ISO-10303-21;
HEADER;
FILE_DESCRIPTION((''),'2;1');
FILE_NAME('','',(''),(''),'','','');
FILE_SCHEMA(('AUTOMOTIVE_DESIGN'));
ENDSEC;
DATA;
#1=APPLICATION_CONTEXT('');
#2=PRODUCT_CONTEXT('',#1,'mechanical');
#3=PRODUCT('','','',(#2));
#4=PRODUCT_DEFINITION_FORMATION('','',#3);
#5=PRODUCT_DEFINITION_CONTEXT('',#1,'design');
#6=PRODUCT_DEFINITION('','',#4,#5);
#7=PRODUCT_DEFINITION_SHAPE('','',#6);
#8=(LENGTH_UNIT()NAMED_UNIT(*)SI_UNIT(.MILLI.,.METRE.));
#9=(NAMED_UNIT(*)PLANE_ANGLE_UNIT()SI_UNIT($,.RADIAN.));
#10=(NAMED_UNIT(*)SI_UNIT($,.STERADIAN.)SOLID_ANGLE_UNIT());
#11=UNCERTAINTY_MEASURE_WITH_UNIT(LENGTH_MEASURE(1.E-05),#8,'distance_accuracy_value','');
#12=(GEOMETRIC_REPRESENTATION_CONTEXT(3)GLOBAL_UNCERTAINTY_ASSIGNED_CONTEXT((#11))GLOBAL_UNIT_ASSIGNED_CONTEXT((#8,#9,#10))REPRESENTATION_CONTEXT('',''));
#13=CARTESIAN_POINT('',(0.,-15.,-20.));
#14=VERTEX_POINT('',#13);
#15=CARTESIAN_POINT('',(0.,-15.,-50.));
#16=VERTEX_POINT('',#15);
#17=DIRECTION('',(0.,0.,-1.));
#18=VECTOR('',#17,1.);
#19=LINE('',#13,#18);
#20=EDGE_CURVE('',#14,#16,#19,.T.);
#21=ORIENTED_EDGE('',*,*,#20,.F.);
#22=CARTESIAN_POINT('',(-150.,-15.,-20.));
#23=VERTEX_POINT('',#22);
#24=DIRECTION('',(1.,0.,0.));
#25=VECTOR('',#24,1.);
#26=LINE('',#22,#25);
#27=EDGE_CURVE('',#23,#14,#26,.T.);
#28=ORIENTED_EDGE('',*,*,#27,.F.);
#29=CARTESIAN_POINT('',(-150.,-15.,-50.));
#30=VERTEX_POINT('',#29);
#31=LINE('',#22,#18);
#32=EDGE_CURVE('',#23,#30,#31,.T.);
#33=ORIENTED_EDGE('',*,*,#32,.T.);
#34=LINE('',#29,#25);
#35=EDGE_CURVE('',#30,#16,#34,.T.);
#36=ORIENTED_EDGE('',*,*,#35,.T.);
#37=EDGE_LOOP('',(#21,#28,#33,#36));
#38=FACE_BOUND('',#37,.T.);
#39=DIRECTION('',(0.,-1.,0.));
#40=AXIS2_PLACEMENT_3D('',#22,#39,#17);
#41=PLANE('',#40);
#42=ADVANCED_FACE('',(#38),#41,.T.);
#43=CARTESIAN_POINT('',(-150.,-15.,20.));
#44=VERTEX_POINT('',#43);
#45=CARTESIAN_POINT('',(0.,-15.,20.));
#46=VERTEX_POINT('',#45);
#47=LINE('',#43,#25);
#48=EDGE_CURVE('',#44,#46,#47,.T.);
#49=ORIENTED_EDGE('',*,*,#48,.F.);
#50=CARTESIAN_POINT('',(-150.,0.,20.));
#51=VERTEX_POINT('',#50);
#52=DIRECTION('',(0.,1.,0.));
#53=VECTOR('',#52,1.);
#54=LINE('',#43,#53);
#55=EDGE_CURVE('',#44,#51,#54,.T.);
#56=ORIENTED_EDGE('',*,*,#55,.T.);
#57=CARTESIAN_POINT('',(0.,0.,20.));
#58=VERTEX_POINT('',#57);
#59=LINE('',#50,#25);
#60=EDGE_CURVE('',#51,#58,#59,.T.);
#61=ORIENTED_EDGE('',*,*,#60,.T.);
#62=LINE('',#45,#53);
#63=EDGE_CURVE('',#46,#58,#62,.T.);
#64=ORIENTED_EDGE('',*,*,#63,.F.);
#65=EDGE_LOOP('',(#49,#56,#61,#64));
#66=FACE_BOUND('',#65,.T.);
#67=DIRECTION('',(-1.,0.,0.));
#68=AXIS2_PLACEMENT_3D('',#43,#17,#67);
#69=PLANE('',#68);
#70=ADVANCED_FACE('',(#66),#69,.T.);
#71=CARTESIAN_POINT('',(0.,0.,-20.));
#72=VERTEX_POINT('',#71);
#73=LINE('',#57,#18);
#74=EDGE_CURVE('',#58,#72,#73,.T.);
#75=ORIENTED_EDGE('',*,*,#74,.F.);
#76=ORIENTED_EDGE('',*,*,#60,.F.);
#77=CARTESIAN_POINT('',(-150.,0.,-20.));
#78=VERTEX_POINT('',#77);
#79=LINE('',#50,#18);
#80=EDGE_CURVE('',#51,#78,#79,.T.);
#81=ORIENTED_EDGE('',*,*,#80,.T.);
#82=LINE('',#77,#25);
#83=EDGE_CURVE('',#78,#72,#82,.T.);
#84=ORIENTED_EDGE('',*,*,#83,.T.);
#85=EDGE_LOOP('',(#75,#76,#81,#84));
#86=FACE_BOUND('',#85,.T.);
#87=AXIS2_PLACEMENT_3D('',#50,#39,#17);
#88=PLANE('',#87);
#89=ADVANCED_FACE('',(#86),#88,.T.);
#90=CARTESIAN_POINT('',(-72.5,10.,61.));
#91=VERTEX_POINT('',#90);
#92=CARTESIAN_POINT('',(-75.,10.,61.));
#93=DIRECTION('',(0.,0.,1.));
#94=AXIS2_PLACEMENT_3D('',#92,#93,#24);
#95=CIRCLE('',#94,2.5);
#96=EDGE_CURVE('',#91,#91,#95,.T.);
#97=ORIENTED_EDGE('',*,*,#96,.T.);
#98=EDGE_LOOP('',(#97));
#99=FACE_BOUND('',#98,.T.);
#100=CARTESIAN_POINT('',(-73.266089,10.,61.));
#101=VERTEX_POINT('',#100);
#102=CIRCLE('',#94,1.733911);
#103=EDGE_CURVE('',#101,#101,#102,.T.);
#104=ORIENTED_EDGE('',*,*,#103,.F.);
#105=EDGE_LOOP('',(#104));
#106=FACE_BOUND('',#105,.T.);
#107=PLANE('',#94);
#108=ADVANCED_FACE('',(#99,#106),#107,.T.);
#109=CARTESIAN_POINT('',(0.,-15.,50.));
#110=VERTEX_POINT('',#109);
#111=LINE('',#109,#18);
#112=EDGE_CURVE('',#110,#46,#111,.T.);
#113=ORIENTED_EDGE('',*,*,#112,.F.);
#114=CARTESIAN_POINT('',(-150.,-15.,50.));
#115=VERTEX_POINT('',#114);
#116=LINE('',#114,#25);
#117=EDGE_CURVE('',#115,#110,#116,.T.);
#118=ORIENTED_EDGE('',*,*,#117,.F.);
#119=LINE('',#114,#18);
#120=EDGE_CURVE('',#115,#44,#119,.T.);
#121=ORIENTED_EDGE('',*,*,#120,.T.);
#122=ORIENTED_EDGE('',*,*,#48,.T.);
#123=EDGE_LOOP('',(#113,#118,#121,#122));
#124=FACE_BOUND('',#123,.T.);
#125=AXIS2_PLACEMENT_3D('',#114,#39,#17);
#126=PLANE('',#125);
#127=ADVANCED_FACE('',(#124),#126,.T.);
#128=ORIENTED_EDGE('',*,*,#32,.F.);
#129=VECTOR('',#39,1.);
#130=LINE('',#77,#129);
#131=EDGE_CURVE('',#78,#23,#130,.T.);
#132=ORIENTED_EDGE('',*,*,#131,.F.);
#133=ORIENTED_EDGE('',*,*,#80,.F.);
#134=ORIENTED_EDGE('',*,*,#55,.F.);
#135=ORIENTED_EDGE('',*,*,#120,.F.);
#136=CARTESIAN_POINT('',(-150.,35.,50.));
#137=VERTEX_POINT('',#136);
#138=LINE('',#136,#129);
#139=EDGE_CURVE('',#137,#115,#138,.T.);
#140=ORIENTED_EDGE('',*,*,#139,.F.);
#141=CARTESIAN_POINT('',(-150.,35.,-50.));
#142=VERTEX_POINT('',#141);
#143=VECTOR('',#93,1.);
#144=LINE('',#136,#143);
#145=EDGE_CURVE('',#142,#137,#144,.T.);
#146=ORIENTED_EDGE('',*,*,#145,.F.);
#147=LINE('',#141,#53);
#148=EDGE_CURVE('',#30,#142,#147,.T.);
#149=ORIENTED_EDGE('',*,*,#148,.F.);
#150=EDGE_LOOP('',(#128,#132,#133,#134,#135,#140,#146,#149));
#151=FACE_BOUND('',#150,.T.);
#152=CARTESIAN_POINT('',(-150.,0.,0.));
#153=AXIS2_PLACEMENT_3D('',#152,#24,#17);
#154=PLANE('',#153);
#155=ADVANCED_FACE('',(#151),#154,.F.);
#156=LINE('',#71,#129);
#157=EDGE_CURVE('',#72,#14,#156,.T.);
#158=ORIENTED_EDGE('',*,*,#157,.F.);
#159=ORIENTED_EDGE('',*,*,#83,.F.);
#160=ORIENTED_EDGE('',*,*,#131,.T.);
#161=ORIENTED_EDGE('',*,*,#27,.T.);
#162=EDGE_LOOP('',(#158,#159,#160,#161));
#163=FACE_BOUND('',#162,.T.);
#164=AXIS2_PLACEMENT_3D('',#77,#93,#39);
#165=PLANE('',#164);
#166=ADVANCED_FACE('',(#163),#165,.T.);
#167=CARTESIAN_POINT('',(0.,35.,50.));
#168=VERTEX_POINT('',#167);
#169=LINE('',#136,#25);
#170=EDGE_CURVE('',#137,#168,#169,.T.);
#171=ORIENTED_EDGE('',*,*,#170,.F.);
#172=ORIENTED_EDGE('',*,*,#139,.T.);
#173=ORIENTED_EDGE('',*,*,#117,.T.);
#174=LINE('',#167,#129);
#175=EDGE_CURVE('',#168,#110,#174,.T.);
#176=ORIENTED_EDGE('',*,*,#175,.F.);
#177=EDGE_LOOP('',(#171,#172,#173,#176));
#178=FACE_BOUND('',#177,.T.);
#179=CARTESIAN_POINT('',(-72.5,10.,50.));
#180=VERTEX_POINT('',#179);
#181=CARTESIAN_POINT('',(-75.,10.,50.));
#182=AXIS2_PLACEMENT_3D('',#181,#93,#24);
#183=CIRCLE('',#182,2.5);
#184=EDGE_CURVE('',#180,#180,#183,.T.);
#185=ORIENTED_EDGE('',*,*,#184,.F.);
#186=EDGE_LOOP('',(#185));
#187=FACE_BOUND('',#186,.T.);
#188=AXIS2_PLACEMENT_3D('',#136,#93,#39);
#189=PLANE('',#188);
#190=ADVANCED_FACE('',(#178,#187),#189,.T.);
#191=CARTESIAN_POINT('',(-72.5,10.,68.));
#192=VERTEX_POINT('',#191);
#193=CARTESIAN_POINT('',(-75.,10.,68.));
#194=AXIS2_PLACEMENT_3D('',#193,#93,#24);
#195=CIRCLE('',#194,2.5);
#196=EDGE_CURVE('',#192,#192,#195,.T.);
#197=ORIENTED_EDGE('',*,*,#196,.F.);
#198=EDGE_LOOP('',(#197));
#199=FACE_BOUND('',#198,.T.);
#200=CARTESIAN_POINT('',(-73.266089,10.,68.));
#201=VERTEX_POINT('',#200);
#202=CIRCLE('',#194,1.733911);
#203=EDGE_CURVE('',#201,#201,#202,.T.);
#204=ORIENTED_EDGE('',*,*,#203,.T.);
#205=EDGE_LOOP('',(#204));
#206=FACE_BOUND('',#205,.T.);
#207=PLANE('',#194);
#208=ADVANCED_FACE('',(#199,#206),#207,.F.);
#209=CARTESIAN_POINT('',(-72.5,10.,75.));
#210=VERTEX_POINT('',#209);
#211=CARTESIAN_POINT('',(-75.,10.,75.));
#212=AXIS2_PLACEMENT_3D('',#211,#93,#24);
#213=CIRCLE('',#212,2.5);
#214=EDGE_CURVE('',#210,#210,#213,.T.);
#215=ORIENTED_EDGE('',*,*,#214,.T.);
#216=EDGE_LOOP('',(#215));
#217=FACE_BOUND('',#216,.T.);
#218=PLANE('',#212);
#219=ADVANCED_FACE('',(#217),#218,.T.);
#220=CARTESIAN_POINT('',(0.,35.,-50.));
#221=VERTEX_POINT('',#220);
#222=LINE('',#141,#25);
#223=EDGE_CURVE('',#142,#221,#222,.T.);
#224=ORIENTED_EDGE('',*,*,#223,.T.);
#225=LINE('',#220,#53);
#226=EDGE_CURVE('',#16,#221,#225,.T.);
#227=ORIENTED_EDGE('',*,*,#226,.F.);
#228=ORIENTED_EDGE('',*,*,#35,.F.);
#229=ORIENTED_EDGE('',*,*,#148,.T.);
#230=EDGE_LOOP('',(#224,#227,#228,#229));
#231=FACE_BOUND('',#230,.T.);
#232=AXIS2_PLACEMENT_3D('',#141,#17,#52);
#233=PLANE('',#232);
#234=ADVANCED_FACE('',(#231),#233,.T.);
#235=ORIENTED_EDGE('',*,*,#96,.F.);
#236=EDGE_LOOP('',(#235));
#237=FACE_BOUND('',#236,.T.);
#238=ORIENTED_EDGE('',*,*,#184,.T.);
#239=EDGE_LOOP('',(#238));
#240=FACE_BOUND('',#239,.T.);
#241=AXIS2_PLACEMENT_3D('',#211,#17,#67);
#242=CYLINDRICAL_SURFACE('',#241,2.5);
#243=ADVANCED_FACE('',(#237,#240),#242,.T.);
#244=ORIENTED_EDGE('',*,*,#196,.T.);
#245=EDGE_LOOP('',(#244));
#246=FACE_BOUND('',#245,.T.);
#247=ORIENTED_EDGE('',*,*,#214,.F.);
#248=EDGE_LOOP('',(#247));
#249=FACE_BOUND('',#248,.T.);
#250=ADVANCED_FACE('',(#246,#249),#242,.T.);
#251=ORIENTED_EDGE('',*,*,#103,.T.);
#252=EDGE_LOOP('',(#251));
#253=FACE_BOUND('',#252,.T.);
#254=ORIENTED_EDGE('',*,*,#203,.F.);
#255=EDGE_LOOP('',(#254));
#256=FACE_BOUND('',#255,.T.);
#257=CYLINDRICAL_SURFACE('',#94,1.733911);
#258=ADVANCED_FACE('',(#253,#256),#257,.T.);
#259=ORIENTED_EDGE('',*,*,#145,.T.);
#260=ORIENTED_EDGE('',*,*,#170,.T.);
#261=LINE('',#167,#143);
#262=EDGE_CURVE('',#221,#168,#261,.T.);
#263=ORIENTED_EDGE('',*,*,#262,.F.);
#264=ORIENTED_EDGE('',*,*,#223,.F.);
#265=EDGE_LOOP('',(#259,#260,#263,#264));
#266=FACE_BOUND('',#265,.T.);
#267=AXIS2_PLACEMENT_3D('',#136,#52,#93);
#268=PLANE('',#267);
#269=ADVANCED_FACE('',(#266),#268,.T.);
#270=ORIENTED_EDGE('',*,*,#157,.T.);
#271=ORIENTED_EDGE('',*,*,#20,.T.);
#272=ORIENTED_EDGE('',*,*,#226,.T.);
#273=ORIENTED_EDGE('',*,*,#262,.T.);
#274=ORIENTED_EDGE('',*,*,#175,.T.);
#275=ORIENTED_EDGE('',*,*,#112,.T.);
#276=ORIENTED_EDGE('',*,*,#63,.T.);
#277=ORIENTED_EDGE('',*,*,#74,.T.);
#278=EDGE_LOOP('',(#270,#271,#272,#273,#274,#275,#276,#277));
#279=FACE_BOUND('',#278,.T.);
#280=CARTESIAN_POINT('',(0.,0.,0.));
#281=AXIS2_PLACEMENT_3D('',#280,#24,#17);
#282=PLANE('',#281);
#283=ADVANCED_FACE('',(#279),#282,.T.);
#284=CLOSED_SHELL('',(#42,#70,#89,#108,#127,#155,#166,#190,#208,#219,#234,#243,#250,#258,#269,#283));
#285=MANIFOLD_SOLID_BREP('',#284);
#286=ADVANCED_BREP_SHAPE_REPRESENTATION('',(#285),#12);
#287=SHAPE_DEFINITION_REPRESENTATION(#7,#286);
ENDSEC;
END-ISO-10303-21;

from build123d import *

# Parameters (mm, degrees)
BOSS_EXTRUDE1_DEPTH = 150
SKETCH2_R           = 2.5
BOSS_EXTRUDE2_DEPTH = 25
CUT_EXTRUDE1_START  = -7
SKETCH3_R           = 2.5
SKETCH3_R_2         = 1.733910687
CUT_EXTRUDE1_DEPTH  = 7


with BuildPart() as part:
    # Sketch1 → Boss-Extrude1 (new body)
    with BuildSketch(Plane(origin=(0, 0, 0), x_dir=(0, 0, -1), z_dir=(1, 0, 0))):
        Polygon((-50, 35), (50, 35), (50, -15), (20, -15), (20, 0), (-20, 0), (-20, -15), (-50, -15), align=None)
    extrude(amount=-BOSS_EXTRUDE1_DEPTH)

    # Sketch2 → Boss-Extrude2 (add)
    with BuildSketch(Plane.XY.offset(50)):
        with Locations((-75, 10)):
            Circle(SKETCH2_R)
    extrude(amount=BOSS_EXTRUDE2_DEPTH)

    # Sketch3 → Cut-Extrude1 (cut)
    with BuildSketch(Plane.XY.offset(75).offset(CUT_EXTRUDE1_START)):
        with Locations((-75, 10)):
            Circle(SKETCH3_R)
        with Locations((-75, 10)):
            Circle(SKETCH3_R_2, mode=Mode.SUBTRACT)
    extrude(amount=-CUT_EXTRUDE1_DEPTH, mode=Mode.SUBTRACT)


solid = part.part
